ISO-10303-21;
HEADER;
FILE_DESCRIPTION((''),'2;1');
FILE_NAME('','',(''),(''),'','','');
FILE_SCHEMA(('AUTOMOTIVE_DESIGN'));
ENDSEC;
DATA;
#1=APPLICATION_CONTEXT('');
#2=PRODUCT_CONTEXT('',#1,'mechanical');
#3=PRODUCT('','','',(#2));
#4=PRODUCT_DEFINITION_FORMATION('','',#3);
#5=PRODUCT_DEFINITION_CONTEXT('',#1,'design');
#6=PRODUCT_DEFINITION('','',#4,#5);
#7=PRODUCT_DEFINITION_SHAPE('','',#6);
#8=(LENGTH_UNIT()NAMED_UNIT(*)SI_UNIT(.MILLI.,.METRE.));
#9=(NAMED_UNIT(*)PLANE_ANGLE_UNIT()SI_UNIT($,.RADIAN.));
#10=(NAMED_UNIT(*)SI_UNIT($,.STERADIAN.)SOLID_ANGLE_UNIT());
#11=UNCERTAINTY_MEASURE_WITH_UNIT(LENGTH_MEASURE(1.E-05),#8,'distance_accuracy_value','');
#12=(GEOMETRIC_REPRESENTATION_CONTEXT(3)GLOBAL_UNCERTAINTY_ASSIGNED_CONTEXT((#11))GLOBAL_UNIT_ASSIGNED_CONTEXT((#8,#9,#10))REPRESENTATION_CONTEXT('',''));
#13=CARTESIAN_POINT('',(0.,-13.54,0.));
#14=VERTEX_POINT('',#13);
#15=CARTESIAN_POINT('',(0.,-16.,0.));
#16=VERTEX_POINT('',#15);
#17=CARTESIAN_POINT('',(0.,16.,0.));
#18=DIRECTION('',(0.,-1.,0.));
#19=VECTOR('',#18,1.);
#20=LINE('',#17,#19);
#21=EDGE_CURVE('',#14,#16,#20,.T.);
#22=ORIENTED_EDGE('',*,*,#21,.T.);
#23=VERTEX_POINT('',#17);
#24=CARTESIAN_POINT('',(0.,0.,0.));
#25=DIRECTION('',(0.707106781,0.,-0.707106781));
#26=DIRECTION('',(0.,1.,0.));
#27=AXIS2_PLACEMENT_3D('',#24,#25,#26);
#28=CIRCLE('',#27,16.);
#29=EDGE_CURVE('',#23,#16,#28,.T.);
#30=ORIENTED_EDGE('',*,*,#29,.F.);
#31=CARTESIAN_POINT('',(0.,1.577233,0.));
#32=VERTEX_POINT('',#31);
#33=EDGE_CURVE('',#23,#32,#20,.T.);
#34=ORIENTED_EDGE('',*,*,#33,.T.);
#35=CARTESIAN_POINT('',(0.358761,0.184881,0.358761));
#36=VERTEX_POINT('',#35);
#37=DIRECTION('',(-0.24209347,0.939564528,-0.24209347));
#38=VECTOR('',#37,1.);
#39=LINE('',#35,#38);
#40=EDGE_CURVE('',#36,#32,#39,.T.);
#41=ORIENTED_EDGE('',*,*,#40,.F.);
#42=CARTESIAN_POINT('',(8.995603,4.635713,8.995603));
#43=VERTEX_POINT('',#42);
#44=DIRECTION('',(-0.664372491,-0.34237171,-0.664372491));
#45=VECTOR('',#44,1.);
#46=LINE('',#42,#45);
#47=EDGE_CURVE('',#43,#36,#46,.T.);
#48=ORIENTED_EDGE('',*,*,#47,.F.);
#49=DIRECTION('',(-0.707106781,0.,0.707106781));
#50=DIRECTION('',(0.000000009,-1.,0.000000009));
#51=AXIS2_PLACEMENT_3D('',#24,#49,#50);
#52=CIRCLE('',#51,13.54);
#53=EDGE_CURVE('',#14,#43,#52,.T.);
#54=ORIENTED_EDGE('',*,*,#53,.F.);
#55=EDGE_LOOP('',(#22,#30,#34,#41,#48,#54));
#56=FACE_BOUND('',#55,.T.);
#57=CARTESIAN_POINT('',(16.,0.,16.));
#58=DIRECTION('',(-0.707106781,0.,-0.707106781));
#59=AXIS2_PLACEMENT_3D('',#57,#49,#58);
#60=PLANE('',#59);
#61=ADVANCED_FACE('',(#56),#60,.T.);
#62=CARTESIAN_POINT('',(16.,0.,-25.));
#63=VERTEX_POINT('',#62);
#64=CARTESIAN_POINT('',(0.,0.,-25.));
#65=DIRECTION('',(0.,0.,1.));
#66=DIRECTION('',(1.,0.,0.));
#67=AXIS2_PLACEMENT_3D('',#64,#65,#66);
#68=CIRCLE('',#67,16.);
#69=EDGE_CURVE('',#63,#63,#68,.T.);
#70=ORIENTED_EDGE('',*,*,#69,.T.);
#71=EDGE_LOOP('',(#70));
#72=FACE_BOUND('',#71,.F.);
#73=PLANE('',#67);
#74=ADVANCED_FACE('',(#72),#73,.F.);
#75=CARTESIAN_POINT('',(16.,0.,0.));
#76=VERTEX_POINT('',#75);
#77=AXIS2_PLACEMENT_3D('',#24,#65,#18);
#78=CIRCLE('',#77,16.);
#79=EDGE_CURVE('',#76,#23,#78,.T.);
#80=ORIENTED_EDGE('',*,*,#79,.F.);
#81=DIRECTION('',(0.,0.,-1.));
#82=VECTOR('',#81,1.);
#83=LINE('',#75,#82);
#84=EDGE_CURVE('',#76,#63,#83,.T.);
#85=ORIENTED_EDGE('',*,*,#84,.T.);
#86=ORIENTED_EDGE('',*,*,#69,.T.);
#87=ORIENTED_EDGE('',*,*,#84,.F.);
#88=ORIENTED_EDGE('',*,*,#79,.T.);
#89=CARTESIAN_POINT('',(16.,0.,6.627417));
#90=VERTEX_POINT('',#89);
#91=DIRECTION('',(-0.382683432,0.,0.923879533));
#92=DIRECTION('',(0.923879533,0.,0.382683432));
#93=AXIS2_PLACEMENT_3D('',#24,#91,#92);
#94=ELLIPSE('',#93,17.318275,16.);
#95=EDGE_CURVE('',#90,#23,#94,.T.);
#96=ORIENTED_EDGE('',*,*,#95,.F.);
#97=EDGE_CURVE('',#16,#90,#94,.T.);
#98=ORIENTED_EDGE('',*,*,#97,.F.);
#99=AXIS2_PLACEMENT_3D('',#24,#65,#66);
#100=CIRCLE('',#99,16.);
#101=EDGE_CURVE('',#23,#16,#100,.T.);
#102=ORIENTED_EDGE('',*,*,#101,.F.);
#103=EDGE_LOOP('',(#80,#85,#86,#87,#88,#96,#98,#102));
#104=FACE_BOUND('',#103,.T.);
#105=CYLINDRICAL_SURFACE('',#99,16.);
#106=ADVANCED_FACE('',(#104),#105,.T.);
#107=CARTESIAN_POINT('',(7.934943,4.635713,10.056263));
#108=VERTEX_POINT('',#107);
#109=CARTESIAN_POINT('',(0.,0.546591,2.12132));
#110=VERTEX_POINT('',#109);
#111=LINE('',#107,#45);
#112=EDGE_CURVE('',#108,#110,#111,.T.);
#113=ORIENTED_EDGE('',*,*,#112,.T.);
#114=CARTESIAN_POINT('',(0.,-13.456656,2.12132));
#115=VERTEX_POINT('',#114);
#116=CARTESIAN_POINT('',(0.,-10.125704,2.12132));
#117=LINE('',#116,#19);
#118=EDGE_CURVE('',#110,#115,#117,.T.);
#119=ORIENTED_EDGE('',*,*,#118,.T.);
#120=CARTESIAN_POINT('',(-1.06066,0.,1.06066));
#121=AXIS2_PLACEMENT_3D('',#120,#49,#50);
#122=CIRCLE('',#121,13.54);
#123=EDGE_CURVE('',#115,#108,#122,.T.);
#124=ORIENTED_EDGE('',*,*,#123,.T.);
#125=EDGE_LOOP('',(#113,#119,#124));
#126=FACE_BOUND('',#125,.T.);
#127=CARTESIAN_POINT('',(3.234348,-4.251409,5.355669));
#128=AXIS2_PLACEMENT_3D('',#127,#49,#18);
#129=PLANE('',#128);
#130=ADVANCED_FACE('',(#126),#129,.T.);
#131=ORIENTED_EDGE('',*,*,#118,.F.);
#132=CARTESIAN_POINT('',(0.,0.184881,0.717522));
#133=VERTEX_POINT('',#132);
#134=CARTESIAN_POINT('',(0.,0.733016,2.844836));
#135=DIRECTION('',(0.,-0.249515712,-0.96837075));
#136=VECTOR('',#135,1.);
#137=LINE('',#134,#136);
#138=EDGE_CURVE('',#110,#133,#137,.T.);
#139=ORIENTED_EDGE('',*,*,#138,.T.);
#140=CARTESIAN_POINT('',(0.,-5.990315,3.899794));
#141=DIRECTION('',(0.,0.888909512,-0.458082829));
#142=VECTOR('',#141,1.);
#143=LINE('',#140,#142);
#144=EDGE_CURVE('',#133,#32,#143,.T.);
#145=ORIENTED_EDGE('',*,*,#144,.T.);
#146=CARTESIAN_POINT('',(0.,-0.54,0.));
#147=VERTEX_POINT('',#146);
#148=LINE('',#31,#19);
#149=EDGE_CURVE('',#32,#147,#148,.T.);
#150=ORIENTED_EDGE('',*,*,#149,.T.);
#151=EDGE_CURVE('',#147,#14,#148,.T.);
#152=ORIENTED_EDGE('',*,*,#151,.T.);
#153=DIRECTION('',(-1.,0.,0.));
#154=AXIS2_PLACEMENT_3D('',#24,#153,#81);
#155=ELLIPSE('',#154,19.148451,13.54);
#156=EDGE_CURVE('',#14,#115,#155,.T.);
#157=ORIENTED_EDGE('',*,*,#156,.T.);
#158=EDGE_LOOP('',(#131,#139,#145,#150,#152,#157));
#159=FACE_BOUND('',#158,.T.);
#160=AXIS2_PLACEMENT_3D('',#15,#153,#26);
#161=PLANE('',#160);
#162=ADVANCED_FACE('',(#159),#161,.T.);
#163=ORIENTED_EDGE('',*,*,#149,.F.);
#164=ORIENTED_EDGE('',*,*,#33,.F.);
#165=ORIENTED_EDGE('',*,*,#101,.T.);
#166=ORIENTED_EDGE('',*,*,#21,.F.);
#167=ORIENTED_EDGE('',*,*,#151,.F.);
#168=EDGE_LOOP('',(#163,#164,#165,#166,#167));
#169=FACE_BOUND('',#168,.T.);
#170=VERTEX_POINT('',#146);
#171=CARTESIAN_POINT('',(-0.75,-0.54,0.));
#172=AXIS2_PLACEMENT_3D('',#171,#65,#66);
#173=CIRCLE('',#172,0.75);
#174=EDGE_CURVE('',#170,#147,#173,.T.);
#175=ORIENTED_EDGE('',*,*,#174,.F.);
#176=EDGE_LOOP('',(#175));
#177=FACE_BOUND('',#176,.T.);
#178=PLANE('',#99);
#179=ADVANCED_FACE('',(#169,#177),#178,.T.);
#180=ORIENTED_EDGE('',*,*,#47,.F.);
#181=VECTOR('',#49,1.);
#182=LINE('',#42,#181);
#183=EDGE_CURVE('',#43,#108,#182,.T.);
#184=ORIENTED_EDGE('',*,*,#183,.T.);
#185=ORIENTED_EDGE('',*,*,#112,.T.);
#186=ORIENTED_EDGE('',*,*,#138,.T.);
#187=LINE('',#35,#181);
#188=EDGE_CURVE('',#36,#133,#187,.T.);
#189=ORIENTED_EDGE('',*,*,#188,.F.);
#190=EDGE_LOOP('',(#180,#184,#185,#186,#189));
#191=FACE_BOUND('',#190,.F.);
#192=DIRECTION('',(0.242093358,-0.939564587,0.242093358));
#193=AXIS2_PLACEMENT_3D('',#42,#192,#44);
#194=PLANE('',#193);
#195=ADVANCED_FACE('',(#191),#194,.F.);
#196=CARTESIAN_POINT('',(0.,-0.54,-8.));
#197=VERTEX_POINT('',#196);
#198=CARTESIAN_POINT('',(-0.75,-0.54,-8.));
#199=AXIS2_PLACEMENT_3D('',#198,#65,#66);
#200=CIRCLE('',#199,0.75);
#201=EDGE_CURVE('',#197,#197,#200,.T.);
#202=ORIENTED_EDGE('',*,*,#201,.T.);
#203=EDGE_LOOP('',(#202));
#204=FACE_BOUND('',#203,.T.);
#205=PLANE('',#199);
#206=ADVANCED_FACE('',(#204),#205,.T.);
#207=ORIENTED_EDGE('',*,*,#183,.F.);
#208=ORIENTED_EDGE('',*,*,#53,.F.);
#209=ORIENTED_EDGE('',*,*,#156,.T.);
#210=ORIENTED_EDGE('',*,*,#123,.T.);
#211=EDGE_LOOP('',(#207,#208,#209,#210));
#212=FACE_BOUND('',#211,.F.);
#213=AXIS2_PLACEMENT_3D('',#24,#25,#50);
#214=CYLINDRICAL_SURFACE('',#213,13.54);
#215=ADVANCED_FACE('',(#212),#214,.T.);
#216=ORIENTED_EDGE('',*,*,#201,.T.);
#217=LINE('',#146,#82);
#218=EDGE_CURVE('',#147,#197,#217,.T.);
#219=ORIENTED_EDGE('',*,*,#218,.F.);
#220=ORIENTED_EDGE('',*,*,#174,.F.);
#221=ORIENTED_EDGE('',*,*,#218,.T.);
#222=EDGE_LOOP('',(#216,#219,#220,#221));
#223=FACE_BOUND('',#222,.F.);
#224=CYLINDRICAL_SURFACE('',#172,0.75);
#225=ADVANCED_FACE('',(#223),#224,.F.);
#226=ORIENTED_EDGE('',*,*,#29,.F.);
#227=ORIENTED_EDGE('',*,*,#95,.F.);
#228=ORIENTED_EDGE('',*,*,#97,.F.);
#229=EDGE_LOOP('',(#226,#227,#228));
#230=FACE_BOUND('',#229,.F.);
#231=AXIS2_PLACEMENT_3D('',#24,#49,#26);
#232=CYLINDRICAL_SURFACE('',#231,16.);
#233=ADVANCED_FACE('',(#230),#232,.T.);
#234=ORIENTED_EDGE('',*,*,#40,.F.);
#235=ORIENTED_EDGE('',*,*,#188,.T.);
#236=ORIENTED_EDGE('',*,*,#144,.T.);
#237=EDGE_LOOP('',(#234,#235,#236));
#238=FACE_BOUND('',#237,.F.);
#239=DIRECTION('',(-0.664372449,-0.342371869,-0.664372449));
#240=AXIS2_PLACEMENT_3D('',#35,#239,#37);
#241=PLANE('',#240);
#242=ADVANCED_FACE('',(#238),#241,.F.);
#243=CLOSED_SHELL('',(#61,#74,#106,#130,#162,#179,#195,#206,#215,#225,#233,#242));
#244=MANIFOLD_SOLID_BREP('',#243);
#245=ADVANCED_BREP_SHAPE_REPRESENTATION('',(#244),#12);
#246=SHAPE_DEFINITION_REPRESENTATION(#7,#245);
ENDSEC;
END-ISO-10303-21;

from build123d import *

# Parameters (mm, degrees)
F2_DEPTH  = 16
F0_R      = 16
F3_DEPTH  = 25
F4_DEPTH  = 25
F6_DEPTH  = 1.5
F8_DEPTH  = 10
F10_DEPTH = 25
F11_R     = 0.75
F12_DEPTH = 8
F14_DEPTH = 25


with BuildPart() as f2:
    # F1 (on Front) → F2 (new body, symmetric)
    with BuildSketch(Plane.XZ):
        Polygon((16, 16), (0, 0), (16, 0), align=None)
    extrude(amount=F2_DEPTH, both=True)

    # F0 (on Top) → F3 (intersect)
    with BuildSketch(Plane.XY):
        Circle(F0_R)
    extrude(amount=F3_DEPTH, mode=Mode.INTERSECT)

    # F0 (on Top) → F4 (join)
    with BuildSketch(Plane.XY):
        Circle(F0_R)
    extrude(amount=-F4_DEPTH)

    # F5 (on face) → F6 (join)
    with BuildSketch(Plane(origin=(0, 0, 0), x_dir=(0, -1, 0), z_dir=(-0.707107, 0, 0.707107))):
        with BuildLine():
            Line((-0.184881, 0.507365), (0, 0))
            Line((0, 0), (0.54, 0))
            Line((0.54, 0), (13.54, 0))
            ThreePointArc((13.54, 0), (7.76415, 11.092771), (-4.635713, 12.721704))
            Line((-4.635713, 12.721704), (-0.184881, 0.507365))
        make_face()
    extrude(amount=F6_DEPTH)

    # F7 (on face) → F8 (join)
    with BuildSketch(Plane(origin=(0, 0, 0), x_dir=(0, -1, 0), z_dir=(-0.707107, 0, 0.707107))):
        Polygon((0, 0), (-0.184881, 0.507365), (-1.577233, 0), align=None)
    extrude(amount=F8_DEPTH)

    # F9 (on face) → F10 (cut)
    with BuildSketch(Plane.XY):
        with BuildLine():
            ThreePointArc((0, 16), (-16, 0), (0, -16))
            Line((0, -16), (0, 16))
        make_face()
    extrude(amount=F10_DEPTH, mode=Mode.SUBTRACT)

    # F11 (on face) → F12 (cut)
    with BuildSketch(Plane.XY):
        with Locations((-0.75, -0.54)):
            Circle(F11_R)
    extrude(amount=-F12_DEPTH, mode=Mode.SUBTRACT)

    # F13 (on face) → F14 (cut)
    with BuildSketch(Plane(origin=(0, 0, 0), x_dir=(0, -1, 0), z_dir=(-0.707107, 0, 0.707107))):
        with BuildLine():
            ThreePointArc((-16, 0), (0, 16), (16, 0))
            add(Edge.make_bspline(
                [(16, 0), (16, 22.627417), (0, 22.627417)],
                knots=[1.570796, 1.570796, 1.570796, 3.141593, 3.141593, 3.141593], degree=2, weights=[1, 0.707107, 1]))
            add(Edge.make_bspline(
                [(0, 22.627417), (-16, 22.627417), (-16, 0)],
                knots=[3.141593, 3.141593, 3.141593, 4.712389, 4.712389, 4.712389], degree=2, weights=[1, 0.707107, 1]))
        make_face()
    extrude(amount=-F14_DEPTH, mode=Mode.SUBTRACT)


solid = f2.part
